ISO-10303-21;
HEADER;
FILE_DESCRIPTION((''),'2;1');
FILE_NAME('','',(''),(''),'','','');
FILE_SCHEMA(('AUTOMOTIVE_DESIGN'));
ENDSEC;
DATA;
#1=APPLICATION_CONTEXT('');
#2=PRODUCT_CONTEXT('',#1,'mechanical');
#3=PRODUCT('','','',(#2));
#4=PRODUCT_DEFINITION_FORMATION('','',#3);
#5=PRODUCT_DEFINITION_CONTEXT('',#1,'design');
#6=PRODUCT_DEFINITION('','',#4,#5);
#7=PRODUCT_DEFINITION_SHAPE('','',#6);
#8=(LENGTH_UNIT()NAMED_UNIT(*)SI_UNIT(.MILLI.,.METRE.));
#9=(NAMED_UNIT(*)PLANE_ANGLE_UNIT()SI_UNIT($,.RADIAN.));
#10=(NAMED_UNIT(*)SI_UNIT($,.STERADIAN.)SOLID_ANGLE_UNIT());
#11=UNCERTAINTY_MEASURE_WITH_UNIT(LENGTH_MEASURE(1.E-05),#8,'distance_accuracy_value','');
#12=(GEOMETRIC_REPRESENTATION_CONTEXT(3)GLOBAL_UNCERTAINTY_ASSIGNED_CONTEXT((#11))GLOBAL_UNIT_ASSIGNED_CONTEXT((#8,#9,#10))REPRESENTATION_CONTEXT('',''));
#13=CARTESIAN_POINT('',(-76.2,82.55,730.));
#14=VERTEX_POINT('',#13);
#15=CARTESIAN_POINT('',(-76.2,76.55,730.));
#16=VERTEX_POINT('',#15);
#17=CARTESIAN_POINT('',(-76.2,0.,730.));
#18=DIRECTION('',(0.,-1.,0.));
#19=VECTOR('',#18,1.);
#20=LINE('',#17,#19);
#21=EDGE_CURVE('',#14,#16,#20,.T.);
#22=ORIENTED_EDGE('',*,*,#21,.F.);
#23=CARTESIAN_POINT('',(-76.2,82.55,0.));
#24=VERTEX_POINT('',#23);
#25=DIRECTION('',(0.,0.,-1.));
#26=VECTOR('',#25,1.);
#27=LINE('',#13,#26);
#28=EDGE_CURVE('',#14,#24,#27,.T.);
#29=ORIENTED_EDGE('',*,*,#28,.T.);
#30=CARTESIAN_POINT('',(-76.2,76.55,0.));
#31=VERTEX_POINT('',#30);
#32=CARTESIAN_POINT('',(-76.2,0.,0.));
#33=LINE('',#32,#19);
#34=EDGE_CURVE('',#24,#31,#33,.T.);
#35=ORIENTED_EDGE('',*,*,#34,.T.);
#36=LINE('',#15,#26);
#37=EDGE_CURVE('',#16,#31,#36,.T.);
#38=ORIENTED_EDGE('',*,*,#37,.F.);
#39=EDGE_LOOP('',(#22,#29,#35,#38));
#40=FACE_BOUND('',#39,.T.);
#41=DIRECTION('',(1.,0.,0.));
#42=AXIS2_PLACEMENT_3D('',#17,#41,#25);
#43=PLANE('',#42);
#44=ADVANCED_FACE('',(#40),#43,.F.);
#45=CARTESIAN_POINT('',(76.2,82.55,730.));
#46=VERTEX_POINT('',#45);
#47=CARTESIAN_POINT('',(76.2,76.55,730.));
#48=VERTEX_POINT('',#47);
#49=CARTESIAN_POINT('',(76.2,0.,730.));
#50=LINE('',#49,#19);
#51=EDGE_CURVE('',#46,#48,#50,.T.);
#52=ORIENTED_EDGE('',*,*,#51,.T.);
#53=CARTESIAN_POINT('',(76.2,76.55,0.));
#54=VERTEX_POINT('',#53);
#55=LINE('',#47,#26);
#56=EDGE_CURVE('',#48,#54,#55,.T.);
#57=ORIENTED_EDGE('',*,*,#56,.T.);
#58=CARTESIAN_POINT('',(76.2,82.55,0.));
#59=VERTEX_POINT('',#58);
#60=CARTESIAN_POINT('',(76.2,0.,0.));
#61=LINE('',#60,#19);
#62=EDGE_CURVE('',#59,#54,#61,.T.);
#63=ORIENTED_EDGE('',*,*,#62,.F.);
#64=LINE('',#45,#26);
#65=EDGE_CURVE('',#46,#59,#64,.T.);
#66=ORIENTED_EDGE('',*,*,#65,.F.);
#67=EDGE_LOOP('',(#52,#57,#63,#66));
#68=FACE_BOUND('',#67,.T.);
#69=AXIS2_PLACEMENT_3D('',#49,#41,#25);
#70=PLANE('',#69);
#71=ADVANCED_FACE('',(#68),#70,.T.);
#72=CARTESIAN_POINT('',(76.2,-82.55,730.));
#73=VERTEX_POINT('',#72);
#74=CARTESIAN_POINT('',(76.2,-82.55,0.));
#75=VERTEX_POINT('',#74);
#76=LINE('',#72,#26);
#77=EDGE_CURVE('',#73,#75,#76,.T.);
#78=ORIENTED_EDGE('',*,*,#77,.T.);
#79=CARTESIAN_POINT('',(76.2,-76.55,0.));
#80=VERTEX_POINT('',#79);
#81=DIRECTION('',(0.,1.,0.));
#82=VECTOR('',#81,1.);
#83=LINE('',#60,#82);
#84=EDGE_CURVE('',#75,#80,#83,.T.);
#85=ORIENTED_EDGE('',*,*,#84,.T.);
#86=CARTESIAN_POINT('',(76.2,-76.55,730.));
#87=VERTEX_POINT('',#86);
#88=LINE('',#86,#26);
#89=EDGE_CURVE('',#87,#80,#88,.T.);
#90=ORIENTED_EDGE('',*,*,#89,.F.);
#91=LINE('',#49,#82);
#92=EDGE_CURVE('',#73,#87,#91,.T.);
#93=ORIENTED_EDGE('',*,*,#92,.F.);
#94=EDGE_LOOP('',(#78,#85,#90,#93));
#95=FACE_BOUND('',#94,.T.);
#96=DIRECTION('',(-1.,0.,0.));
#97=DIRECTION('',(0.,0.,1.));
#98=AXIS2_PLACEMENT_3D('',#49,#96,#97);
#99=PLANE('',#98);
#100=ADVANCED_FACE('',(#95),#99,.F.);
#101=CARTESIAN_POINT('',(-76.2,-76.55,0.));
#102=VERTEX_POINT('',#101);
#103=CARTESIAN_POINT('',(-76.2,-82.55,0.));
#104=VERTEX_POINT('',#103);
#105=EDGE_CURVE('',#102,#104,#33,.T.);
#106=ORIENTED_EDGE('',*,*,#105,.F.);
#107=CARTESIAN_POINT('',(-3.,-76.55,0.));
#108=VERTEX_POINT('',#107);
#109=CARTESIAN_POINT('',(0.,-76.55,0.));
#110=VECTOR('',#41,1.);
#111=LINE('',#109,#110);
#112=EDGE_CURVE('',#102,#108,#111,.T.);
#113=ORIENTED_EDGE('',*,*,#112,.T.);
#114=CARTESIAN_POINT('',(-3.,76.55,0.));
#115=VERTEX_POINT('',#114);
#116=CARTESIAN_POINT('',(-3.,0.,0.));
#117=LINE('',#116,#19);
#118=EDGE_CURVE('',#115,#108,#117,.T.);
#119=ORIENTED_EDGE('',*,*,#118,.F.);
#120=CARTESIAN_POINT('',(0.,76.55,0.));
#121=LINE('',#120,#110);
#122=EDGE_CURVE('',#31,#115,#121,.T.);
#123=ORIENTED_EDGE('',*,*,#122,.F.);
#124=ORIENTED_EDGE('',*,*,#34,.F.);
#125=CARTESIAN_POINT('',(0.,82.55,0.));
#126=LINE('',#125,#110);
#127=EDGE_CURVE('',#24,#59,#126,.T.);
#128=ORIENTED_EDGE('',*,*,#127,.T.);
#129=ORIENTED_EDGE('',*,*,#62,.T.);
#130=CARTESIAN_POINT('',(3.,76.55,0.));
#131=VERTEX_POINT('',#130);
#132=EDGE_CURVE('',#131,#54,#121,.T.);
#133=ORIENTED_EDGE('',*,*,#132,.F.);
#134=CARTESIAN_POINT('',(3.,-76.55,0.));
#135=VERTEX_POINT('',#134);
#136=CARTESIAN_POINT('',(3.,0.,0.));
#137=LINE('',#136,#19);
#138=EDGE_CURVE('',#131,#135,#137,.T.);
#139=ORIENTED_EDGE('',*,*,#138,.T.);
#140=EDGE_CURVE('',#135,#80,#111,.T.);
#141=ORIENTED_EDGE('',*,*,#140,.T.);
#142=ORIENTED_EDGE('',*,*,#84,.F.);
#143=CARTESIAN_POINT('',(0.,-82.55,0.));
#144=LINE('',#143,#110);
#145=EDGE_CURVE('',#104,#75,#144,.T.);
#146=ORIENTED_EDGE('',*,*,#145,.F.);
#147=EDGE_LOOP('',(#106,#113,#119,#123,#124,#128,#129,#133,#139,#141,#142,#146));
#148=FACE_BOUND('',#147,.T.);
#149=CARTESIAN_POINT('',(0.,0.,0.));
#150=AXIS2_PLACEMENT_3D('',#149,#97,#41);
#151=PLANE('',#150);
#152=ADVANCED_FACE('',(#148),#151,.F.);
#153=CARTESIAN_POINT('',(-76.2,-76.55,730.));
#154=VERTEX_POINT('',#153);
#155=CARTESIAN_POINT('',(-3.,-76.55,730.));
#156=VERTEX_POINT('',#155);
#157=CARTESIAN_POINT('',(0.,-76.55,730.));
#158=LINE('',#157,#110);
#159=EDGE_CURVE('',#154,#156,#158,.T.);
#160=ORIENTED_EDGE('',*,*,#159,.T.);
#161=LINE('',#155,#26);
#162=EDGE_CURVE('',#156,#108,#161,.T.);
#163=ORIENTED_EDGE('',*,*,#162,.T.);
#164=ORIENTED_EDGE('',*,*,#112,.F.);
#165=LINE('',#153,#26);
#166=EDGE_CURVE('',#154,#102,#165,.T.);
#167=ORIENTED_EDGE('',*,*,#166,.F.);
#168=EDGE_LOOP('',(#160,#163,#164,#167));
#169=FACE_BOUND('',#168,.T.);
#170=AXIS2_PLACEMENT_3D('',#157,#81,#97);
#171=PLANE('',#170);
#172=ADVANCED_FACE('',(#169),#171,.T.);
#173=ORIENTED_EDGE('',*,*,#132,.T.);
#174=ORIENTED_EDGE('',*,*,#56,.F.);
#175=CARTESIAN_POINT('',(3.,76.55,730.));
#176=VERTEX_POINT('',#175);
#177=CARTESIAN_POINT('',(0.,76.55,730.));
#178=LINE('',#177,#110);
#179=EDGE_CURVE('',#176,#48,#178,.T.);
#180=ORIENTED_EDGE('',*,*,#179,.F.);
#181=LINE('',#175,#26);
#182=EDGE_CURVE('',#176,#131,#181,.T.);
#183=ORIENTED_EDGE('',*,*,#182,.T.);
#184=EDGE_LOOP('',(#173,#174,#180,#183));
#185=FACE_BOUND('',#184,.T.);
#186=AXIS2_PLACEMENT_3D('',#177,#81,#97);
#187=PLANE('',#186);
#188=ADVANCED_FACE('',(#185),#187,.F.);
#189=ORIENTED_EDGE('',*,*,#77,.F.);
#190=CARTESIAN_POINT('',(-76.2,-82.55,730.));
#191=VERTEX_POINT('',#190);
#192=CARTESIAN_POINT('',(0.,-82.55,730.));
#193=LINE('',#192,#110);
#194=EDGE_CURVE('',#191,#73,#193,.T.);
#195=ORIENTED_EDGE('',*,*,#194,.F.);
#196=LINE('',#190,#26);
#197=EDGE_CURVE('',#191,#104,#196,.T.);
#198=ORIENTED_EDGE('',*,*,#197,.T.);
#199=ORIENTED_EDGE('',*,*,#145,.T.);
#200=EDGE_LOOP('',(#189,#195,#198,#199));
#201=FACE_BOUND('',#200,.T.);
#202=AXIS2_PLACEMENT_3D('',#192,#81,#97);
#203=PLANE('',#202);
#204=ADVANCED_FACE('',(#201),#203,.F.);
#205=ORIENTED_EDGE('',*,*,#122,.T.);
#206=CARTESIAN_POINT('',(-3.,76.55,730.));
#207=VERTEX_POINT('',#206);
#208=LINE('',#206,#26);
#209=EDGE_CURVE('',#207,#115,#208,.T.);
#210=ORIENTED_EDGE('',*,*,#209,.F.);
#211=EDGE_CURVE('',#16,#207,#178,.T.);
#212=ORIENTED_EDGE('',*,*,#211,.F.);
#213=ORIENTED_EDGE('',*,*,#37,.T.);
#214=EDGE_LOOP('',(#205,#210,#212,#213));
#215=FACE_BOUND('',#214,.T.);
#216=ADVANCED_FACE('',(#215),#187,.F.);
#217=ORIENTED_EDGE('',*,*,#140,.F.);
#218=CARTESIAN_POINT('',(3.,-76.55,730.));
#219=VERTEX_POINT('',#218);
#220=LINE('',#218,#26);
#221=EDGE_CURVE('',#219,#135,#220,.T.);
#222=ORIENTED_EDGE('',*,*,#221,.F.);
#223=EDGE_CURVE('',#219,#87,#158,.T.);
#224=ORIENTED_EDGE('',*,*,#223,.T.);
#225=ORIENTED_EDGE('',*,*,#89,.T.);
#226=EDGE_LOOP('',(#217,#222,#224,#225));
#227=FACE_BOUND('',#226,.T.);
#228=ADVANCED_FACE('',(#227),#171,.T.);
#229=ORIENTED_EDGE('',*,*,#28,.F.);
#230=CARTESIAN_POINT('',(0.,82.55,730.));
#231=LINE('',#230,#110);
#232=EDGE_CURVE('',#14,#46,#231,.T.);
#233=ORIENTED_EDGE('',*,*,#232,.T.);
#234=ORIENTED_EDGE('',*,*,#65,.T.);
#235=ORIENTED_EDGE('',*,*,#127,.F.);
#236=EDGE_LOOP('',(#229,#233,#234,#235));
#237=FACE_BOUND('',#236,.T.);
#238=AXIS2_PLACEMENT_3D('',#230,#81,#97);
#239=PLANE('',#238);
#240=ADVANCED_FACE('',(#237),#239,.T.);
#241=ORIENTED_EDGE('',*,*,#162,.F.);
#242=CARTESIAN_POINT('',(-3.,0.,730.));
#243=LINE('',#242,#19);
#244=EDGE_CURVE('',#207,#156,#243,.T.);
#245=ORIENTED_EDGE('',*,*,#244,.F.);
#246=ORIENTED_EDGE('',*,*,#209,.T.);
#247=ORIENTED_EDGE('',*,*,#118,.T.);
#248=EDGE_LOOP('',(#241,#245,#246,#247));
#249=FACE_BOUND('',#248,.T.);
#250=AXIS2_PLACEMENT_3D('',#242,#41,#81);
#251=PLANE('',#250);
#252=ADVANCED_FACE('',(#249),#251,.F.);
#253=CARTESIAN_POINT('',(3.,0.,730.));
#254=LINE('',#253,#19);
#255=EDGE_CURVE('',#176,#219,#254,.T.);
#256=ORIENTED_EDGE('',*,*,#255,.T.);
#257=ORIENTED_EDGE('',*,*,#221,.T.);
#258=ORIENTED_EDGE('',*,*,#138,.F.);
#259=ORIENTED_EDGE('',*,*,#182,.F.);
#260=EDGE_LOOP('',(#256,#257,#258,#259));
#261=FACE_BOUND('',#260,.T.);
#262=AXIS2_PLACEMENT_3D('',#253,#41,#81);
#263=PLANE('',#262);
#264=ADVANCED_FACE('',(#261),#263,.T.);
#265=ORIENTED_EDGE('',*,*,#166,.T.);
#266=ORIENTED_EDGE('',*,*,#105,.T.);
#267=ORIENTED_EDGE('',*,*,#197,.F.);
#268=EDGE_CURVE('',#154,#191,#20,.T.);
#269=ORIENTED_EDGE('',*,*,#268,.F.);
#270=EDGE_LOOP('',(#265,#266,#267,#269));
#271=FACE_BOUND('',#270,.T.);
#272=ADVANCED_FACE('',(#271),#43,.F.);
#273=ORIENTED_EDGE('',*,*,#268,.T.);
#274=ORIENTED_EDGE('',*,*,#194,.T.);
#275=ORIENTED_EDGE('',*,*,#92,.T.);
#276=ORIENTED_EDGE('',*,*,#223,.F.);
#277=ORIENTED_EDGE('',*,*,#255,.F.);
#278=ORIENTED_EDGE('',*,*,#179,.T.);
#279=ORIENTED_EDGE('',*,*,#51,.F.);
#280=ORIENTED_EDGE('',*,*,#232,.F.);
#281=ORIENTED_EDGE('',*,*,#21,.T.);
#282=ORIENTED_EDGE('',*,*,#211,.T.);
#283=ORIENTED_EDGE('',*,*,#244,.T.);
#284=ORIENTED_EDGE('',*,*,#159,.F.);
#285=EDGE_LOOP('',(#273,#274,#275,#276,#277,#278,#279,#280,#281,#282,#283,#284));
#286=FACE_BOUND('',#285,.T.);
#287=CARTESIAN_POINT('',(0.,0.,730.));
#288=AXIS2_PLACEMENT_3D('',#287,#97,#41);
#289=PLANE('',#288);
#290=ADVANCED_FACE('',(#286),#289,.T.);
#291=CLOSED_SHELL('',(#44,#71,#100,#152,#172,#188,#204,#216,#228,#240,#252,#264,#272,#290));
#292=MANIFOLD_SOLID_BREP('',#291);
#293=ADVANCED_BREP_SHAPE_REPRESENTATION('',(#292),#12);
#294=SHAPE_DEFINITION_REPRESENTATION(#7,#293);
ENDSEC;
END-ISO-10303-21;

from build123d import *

# Parameters (mm, degrees)
BOSS_EXTRUDE1_DEPTH = 730


with BuildPart() as part:
    # Sketch1 → Boss-Extrude1 (new body)
    with BuildSketch(Plane.XY):
        Polygon((3, -76.55), (76.2, -76.55), (76.2, -82.55), (-76.2, -82.55), (-76.2, -76.55), (-3, -76.55), (-3, 76.55), (-76.2, 76.55), (-76.2, 82.55), (76.2, 82.55), (76.2, 76.55), (3, 76.55), align=None)
    extrude(amount=BOSS_EXTRUDE1_DEPTH)


solid = part.part
